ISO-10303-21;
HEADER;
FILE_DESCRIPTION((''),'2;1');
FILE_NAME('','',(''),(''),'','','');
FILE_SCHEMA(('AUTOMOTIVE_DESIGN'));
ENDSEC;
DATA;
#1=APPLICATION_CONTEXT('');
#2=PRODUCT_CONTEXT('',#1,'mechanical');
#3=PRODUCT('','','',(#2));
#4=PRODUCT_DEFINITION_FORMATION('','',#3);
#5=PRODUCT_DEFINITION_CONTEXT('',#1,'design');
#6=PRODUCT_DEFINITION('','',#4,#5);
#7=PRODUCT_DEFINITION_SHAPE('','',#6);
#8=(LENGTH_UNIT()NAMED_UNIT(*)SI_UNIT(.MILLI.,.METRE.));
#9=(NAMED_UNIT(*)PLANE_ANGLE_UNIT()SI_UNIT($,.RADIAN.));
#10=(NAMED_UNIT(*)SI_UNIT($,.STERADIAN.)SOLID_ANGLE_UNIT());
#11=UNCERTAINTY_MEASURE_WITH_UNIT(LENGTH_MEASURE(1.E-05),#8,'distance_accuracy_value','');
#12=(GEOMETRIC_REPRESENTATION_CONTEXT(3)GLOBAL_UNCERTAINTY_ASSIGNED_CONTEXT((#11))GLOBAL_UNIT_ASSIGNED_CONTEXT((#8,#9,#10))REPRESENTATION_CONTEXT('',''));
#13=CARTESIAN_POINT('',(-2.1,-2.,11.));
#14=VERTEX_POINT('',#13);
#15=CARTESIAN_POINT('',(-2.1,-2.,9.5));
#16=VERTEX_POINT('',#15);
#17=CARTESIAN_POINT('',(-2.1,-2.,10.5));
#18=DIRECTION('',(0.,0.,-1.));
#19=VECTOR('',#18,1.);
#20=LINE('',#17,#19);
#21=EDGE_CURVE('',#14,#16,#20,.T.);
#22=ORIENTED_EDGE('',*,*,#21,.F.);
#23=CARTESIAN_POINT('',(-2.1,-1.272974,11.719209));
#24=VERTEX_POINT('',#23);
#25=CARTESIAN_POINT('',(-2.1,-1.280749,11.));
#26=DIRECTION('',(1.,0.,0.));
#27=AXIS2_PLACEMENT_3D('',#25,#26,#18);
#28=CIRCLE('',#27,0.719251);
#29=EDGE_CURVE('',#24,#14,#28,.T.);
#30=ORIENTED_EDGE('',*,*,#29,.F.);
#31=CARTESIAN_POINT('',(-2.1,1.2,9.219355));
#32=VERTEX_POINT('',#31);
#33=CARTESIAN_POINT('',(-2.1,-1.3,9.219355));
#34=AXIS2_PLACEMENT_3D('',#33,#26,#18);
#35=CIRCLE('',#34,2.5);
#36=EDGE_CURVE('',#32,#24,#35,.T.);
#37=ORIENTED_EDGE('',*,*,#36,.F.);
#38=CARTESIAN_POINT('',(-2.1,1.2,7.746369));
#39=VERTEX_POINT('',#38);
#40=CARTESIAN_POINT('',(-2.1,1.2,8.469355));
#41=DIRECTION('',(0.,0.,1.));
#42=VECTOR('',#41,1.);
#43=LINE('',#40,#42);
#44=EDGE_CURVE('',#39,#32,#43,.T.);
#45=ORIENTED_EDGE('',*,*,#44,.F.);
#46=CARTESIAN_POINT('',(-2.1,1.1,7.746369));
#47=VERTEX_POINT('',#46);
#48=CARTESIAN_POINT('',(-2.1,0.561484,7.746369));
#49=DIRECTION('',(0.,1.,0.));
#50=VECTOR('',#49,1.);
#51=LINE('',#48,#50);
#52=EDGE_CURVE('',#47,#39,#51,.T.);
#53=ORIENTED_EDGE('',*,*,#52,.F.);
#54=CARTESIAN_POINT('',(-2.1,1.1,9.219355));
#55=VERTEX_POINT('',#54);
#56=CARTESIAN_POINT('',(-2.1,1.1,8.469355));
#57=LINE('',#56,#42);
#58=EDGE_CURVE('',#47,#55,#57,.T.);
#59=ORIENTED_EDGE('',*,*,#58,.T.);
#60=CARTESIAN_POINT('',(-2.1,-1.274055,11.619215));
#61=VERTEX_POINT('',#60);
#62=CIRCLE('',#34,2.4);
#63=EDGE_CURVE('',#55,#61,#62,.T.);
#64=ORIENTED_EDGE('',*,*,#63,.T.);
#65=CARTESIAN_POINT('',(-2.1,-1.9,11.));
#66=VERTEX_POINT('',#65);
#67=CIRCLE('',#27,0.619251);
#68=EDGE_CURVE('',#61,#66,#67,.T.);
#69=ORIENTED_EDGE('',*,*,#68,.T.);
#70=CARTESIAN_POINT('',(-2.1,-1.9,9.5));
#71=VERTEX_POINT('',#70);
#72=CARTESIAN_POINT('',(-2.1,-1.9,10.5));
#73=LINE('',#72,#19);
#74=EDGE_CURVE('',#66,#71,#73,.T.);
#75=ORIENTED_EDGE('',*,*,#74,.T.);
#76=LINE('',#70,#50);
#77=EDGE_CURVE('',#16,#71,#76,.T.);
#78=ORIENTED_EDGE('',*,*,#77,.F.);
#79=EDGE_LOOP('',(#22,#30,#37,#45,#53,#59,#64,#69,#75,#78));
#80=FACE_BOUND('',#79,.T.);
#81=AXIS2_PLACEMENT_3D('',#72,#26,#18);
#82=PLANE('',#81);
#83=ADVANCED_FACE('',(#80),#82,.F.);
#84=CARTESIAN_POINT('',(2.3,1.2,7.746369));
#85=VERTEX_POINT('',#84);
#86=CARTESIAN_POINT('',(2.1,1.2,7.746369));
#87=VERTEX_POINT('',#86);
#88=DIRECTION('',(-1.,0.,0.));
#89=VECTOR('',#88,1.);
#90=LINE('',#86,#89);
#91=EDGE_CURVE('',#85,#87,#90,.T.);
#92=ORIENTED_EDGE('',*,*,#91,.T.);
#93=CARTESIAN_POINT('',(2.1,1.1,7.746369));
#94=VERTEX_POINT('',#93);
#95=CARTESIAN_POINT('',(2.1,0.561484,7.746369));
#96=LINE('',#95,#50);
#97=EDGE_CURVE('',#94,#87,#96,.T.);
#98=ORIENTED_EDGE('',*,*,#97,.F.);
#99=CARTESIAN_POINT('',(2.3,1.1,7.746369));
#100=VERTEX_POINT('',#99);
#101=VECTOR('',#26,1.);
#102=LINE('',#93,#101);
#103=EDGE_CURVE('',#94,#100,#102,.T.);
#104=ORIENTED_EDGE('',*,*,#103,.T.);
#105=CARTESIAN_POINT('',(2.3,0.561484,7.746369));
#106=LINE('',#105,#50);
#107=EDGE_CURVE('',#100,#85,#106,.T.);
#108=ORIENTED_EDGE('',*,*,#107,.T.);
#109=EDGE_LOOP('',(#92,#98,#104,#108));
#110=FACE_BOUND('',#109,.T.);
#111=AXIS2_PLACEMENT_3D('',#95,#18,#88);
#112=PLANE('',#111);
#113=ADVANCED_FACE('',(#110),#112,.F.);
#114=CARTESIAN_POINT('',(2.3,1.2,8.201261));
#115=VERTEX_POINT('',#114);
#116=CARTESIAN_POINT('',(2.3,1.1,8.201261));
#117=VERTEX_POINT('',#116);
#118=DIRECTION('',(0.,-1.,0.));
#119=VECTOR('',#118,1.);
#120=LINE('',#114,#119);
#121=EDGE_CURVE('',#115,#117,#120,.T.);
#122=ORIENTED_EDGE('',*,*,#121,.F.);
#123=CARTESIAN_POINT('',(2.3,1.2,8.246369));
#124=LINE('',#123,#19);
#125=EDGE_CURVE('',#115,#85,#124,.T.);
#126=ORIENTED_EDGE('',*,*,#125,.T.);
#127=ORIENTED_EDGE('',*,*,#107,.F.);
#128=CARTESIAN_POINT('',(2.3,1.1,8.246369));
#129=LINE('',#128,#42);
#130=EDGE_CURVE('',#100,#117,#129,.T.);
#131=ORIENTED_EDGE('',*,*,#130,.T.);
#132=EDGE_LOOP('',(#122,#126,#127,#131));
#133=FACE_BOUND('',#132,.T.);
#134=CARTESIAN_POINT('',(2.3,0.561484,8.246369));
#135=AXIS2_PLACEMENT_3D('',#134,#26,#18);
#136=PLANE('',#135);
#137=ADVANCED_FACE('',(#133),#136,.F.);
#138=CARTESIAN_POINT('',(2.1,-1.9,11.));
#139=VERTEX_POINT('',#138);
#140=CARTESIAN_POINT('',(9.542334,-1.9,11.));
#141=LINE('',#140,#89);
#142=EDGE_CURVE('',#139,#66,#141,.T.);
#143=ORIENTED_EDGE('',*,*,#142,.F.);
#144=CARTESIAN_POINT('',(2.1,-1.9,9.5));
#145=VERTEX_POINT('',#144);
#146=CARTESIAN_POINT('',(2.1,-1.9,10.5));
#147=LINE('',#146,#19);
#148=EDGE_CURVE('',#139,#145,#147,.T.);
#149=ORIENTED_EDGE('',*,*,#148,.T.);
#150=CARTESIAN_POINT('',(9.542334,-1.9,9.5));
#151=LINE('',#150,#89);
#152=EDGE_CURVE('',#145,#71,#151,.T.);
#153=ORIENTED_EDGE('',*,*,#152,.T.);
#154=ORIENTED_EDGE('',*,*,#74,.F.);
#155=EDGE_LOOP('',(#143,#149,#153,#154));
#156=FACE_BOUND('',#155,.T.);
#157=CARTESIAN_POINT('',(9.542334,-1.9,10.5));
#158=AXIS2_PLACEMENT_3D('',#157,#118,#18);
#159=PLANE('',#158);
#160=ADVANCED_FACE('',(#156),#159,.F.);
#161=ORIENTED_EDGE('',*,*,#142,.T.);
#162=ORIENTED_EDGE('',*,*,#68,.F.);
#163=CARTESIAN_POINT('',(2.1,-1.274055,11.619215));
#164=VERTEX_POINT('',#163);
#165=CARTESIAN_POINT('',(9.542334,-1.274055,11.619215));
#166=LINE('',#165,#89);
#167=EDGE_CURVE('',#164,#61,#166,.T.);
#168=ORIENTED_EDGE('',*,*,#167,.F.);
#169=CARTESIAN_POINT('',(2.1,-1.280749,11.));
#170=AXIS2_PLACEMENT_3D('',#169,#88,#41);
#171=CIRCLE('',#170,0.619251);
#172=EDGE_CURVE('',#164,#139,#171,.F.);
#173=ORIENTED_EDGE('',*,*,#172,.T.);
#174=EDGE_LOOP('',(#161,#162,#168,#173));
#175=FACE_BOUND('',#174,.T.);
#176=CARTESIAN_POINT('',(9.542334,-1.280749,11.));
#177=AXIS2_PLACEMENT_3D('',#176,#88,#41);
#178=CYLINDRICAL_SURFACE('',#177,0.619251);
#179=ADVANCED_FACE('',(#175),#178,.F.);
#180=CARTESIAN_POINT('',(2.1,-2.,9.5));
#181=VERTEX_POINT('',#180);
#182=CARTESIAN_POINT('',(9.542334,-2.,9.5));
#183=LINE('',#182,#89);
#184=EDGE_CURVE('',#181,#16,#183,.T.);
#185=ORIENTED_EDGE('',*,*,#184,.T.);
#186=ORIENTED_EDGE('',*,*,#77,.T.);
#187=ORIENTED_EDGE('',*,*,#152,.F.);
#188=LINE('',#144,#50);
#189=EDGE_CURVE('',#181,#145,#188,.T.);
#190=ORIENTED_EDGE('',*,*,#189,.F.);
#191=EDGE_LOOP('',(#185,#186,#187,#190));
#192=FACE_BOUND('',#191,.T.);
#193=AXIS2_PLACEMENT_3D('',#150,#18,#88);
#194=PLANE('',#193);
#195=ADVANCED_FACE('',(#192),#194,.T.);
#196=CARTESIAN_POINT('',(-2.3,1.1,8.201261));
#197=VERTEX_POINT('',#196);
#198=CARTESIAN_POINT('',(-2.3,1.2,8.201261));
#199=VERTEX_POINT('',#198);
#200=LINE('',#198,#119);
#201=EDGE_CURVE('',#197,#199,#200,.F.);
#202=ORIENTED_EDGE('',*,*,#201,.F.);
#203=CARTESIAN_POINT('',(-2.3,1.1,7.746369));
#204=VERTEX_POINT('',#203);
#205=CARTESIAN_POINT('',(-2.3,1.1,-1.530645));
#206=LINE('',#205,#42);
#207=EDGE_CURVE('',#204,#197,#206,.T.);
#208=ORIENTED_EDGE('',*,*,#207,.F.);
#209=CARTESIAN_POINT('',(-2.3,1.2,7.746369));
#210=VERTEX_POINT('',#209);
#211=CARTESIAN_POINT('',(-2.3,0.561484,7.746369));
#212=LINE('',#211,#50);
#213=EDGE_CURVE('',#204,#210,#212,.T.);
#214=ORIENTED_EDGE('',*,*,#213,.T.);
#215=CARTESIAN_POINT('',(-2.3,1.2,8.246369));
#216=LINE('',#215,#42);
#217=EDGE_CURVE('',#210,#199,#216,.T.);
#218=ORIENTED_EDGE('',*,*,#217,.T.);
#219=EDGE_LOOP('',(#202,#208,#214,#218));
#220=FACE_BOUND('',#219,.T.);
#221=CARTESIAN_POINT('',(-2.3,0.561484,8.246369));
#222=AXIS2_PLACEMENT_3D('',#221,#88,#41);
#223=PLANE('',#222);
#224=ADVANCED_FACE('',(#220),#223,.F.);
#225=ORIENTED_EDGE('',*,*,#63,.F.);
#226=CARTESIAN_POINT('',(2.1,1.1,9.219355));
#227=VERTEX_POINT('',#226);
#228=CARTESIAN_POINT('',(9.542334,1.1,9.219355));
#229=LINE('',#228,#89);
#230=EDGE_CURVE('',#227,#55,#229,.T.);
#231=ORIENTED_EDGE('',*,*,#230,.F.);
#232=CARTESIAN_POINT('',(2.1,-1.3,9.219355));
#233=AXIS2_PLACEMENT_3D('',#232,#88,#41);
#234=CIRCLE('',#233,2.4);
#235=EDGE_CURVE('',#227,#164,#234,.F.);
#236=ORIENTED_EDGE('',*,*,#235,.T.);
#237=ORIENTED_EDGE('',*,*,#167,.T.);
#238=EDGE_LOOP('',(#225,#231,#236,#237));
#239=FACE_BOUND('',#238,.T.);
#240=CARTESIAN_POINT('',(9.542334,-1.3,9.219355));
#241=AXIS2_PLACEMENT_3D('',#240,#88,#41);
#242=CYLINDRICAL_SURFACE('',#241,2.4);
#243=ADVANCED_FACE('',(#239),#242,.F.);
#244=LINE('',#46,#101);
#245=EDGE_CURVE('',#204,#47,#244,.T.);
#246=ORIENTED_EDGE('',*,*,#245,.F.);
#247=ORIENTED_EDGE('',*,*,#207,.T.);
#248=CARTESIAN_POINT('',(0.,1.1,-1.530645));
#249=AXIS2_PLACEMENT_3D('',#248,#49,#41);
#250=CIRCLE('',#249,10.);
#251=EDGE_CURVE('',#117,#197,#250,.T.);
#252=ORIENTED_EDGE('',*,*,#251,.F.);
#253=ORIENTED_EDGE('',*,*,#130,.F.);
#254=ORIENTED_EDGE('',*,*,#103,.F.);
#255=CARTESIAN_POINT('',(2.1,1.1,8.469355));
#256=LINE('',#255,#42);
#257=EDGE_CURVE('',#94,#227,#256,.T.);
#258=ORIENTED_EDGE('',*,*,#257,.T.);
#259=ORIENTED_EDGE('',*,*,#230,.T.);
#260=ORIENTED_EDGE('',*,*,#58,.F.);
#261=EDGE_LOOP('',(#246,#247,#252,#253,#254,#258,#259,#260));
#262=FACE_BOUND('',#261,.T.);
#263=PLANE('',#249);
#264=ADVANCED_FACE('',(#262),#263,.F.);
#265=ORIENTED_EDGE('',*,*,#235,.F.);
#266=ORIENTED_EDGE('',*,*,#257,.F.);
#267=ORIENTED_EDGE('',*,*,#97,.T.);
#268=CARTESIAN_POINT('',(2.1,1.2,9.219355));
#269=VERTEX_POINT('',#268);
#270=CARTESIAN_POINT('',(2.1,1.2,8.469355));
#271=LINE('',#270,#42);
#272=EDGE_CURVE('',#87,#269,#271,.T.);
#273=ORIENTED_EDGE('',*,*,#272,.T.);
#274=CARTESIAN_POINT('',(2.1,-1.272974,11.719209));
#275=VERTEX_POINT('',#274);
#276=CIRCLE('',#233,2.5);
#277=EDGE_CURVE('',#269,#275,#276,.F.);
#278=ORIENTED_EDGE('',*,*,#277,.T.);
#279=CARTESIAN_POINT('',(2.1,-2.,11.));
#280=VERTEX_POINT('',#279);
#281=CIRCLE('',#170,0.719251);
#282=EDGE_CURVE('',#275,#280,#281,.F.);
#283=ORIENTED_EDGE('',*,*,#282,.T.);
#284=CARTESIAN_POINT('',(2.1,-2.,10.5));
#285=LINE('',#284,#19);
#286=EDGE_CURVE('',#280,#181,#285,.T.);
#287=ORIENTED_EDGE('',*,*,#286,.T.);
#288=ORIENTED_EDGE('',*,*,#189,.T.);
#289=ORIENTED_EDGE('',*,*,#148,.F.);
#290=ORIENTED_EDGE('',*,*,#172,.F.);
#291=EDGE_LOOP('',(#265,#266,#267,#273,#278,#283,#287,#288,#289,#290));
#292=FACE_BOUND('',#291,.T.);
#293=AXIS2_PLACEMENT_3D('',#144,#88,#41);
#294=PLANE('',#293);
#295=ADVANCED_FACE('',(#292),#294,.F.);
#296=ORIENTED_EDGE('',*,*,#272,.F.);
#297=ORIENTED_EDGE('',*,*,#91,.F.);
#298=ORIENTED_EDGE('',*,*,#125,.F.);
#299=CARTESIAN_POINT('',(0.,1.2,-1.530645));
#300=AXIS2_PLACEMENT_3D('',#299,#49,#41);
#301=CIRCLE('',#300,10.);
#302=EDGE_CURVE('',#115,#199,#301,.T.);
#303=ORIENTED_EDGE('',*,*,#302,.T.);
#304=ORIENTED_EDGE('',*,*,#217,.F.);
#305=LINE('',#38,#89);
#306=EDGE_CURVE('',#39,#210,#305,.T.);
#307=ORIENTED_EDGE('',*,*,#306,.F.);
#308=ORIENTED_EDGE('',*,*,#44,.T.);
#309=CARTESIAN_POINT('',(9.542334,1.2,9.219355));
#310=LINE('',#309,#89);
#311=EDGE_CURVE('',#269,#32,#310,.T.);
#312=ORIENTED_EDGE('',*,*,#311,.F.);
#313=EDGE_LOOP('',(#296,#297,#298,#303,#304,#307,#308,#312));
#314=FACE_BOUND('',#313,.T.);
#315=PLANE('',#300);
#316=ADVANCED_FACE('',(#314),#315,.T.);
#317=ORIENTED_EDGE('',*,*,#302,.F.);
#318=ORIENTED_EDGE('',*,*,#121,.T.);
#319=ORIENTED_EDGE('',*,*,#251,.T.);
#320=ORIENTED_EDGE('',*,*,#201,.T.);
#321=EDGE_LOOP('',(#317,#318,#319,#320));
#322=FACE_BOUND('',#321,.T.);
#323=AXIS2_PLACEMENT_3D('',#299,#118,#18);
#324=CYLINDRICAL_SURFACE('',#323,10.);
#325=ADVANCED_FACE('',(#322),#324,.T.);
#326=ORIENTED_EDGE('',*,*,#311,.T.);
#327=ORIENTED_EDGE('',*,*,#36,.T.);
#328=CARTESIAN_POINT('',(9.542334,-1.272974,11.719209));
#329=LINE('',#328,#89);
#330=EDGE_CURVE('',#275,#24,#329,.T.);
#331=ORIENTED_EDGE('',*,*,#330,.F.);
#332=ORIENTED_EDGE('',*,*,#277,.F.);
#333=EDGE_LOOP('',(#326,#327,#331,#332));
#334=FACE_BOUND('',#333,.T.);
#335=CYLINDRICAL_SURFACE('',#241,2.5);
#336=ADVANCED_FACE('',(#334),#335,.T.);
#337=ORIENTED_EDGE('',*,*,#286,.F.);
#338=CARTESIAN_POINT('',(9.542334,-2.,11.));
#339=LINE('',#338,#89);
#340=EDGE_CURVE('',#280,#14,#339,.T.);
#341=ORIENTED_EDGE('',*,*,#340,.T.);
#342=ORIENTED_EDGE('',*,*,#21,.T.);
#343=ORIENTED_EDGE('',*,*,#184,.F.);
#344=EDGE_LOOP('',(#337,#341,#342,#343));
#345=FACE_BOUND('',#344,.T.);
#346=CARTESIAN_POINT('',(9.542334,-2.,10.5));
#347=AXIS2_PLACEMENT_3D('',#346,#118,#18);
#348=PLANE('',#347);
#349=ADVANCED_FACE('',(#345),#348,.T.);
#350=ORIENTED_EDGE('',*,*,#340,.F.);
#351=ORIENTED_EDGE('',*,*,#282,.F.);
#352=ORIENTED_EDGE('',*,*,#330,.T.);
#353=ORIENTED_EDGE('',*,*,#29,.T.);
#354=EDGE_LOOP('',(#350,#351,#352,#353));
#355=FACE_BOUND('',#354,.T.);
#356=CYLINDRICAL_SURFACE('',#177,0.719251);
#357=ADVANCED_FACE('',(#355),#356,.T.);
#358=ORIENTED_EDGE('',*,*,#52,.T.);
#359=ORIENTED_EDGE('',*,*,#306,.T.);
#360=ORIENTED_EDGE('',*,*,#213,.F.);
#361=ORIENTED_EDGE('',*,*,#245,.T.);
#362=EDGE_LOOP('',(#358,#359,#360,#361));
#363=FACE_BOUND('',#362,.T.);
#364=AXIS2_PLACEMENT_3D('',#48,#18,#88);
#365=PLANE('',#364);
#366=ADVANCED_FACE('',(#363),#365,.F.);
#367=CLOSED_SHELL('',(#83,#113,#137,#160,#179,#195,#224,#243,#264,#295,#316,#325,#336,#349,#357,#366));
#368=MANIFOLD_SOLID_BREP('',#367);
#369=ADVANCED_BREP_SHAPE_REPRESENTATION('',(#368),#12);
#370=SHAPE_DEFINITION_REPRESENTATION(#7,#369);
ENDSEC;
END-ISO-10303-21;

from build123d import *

# Parameters (mm, degrees)
SKETCH1_R                       = 10
BOSS_EXTRUDE1_DEPTH             = 0.1
BOSS_EXTRUDE2_START             = -2
SKETCH3_W                       = 4.2
SKETCH3_H                       = 1
BOSS_EXTRUDE2_DEPTH             = 0.1
EXTRUDE_THIN1_REACH             = 17.393
EXTRUDE_THIN1_DIRECTION_2_REACH = 17.393
SKETCH5_W                       = 0.2
SKETCH5_H                       = 0.5
CUT_EXTRUDE1_DEPTH              = 0.1


with BuildPart() as part:
    # Sketch1 → Boss-Extrude1 (new body)
    with BuildSketch(Plane(origin=(0, 1.1, 0), x_dir=(1, 0, 0), z_dir=(0, 1, 0))):
        with Locations(Location((0, 1.53064501, 0), (0, 0, 270))):
            Circle(SKETCH1_R)
    extrude(amount=BOSS_EXTRUDE1_DEPTH)


with BuildPart() as body_2:
    # Sketch3 → Boss-Extrude2 (new body)
    with BuildSketch(Plane(origin=(0, 0, 0), x_dir=(1, 0, 0), z_dir=(0, 1, 0)).offset(BOSS_EXTRUDE2_START)):
        with Locations((0, -10)):
            Rectangle(SKETCH3_W, SKETCH3_H)
    extrude(amount=BOSS_EXTRUDE2_DEPTH)

    # Extrude-Thin1: up to this face of the body (flat: up to its plane)
    extrude_thin1_end = Plane(body_2.part.faces().sort_by_distance((2.1, -1.95, 10))[0])
    # Sketch4 → Extrude-Thin1 (add, up to the picked face)
    with BuildSketch(Plane(origin=(0, 0, 0), x_dir=(0, 0, -1), z_dir=(1, 0, 0)), mode=Mode.PRIVATE) as extrude_thin1_sk1:
        with BuildLine():
            Line((-9.5, -2), (-10.5, -2))
            Line((-10.5, -2), (-11, -2))
            ThreePointArc((-11, -2), (-11.511328882, -1.786579748), (-11.7192089, -1.27297355))
            ThreePointArc((-11.7192089, -1.27297355), (-10.977540685, 0.47729656), (-9.21935499, 1.2))
            Line((-9.21935499, 1.2), (-8.46935499, 1.2))
            Line((-8.46935499, 1.2), (-5, 1.2))
            Line((-5, 1.2), (-5, 1.1))
            Line((-5, 1.1), (-8.46935499, 1.1))
            Line((-8.46935499, 1.1), (-9.21935499, 1.1))
            ThreePointArc((-9.21935499, 1.1), (-10.907213257, 0.406204698), (-11.619214744, -1.274054608))
            ThreePointArc((-11.619214744, -1.274054608), (-11.440237019, -1.716252321), (-11, -1.9))
            Line((-11, -1.9), (-10.5, -1.9))
            Line((-10.5, -1.9), (-9.5, -1.9))
            Line((-9.5, -1.9), (-9.5, -2))
        make_face()
    extrude_thin1_tool1 = split(extrude(extrude_thin1_sk1.sketch, amount=EXTRUDE_THIN1_REACH, mode=Mode.PRIVATE), bisect_by=extrude_thin1_end, keep=Keep.BOTH, mode=Mode.PRIVATE)

    add(part.part)  # Extrude-Thin1 merges part
    add(extrude_thin1_tool1.solids().sort_by(Axis((0, -1.974423, 10.75), (1, 0, 0)))[0])

    # Extrude-Thin1 direction 2: up to this face of the body (flat: up to its plane)
    extrude_thin1_direction_2_end = Plane(body_2.part.faces().sort_by_distance((-2.1, -1.95, 10))[0])
    # Sketch4 → Extrude-Thin1 direction 2 (add, up to the picked face)
    with BuildSketch(Plane(origin=(0, 0, 0), x_dir=(0, 0, -1), z_dir=(1, 0, 0)), mode=Mode.PRIVATE) as extrude_thin1_direction_2_sk1:
        with BuildLine():
            Line((-9.5, -2), (-10.5, -2))
            Line((-10.5, -2), (-11, -2))
            ThreePointArc((-11, -2), (-11.511328882, -1.786579748), (-11.7192089, -1.27297355))
            ThreePointArc((-11.7192089, -1.27297355), (-10.977540685, 0.47729656), (-9.21935499, 1.2))
            Line((-9.21935499, 1.2), (-8.46935499, 1.2))
            Line((-8.46935499, 1.2), (-5, 1.2))
            Line((-5, 1.2), (-5, 1.1))
            Line((-5, 1.1), (-8.46935499, 1.1))
            Line((-8.46935499, 1.1), (-9.21935499, 1.1))
            ThreePointArc((-9.21935499, 1.1), (-10.907213257, 0.406204698), (-11.619214744, -1.274054608))
            ThreePointArc((-11.619214744, -1.274054608), (-11.440237019, -1.716252321), (-11, -1.9))
            Line((-11, -1.9), (-10.5, -1.9))
            Line((-10.5, -1.9), (-9.5, -1.9))
            Line((-9.5, -1.9), (-9.5, -2))
        make_face()
    extrude_thin1_direction_2_tool1 = split(extrude(extrude_thin1_direction_2_sk1.sketch, amount=-EXTRUDE_THIN1_DIRECTION_2_REACH, mode=Mode.PRIVATE), bisect_by=extrude_thin1_direction_2_end, keep=Keep.BOTH, mode=Mode.PRIVATE)
    add(extrude_thin1_direction_2_tool1.solids().sort_by(Axis((0, -1.974423, 10.75), (-1, 0, 0)))[0])

    # Sketch5 → Cut-Extrude1 (cut)
    with BuildSketch(Plane(origin=(0, 1.2, 0), x_dir=(1, 0, 0), z_dir=(0, 1, 0))):
        with Locations((-2.2, -7.996368849)):
            Rectangle(SKETCH5_W, SKETCH5_H)
        with Locations((2.2, -7.996368849)):
            Rectangle(SKETCH5_W, SKETCH5_H)
    extrude(amount=-CUT_EXTRUDE1_DEPTH, mode=Mode.SUBTRACT)


solid = body_2.part
